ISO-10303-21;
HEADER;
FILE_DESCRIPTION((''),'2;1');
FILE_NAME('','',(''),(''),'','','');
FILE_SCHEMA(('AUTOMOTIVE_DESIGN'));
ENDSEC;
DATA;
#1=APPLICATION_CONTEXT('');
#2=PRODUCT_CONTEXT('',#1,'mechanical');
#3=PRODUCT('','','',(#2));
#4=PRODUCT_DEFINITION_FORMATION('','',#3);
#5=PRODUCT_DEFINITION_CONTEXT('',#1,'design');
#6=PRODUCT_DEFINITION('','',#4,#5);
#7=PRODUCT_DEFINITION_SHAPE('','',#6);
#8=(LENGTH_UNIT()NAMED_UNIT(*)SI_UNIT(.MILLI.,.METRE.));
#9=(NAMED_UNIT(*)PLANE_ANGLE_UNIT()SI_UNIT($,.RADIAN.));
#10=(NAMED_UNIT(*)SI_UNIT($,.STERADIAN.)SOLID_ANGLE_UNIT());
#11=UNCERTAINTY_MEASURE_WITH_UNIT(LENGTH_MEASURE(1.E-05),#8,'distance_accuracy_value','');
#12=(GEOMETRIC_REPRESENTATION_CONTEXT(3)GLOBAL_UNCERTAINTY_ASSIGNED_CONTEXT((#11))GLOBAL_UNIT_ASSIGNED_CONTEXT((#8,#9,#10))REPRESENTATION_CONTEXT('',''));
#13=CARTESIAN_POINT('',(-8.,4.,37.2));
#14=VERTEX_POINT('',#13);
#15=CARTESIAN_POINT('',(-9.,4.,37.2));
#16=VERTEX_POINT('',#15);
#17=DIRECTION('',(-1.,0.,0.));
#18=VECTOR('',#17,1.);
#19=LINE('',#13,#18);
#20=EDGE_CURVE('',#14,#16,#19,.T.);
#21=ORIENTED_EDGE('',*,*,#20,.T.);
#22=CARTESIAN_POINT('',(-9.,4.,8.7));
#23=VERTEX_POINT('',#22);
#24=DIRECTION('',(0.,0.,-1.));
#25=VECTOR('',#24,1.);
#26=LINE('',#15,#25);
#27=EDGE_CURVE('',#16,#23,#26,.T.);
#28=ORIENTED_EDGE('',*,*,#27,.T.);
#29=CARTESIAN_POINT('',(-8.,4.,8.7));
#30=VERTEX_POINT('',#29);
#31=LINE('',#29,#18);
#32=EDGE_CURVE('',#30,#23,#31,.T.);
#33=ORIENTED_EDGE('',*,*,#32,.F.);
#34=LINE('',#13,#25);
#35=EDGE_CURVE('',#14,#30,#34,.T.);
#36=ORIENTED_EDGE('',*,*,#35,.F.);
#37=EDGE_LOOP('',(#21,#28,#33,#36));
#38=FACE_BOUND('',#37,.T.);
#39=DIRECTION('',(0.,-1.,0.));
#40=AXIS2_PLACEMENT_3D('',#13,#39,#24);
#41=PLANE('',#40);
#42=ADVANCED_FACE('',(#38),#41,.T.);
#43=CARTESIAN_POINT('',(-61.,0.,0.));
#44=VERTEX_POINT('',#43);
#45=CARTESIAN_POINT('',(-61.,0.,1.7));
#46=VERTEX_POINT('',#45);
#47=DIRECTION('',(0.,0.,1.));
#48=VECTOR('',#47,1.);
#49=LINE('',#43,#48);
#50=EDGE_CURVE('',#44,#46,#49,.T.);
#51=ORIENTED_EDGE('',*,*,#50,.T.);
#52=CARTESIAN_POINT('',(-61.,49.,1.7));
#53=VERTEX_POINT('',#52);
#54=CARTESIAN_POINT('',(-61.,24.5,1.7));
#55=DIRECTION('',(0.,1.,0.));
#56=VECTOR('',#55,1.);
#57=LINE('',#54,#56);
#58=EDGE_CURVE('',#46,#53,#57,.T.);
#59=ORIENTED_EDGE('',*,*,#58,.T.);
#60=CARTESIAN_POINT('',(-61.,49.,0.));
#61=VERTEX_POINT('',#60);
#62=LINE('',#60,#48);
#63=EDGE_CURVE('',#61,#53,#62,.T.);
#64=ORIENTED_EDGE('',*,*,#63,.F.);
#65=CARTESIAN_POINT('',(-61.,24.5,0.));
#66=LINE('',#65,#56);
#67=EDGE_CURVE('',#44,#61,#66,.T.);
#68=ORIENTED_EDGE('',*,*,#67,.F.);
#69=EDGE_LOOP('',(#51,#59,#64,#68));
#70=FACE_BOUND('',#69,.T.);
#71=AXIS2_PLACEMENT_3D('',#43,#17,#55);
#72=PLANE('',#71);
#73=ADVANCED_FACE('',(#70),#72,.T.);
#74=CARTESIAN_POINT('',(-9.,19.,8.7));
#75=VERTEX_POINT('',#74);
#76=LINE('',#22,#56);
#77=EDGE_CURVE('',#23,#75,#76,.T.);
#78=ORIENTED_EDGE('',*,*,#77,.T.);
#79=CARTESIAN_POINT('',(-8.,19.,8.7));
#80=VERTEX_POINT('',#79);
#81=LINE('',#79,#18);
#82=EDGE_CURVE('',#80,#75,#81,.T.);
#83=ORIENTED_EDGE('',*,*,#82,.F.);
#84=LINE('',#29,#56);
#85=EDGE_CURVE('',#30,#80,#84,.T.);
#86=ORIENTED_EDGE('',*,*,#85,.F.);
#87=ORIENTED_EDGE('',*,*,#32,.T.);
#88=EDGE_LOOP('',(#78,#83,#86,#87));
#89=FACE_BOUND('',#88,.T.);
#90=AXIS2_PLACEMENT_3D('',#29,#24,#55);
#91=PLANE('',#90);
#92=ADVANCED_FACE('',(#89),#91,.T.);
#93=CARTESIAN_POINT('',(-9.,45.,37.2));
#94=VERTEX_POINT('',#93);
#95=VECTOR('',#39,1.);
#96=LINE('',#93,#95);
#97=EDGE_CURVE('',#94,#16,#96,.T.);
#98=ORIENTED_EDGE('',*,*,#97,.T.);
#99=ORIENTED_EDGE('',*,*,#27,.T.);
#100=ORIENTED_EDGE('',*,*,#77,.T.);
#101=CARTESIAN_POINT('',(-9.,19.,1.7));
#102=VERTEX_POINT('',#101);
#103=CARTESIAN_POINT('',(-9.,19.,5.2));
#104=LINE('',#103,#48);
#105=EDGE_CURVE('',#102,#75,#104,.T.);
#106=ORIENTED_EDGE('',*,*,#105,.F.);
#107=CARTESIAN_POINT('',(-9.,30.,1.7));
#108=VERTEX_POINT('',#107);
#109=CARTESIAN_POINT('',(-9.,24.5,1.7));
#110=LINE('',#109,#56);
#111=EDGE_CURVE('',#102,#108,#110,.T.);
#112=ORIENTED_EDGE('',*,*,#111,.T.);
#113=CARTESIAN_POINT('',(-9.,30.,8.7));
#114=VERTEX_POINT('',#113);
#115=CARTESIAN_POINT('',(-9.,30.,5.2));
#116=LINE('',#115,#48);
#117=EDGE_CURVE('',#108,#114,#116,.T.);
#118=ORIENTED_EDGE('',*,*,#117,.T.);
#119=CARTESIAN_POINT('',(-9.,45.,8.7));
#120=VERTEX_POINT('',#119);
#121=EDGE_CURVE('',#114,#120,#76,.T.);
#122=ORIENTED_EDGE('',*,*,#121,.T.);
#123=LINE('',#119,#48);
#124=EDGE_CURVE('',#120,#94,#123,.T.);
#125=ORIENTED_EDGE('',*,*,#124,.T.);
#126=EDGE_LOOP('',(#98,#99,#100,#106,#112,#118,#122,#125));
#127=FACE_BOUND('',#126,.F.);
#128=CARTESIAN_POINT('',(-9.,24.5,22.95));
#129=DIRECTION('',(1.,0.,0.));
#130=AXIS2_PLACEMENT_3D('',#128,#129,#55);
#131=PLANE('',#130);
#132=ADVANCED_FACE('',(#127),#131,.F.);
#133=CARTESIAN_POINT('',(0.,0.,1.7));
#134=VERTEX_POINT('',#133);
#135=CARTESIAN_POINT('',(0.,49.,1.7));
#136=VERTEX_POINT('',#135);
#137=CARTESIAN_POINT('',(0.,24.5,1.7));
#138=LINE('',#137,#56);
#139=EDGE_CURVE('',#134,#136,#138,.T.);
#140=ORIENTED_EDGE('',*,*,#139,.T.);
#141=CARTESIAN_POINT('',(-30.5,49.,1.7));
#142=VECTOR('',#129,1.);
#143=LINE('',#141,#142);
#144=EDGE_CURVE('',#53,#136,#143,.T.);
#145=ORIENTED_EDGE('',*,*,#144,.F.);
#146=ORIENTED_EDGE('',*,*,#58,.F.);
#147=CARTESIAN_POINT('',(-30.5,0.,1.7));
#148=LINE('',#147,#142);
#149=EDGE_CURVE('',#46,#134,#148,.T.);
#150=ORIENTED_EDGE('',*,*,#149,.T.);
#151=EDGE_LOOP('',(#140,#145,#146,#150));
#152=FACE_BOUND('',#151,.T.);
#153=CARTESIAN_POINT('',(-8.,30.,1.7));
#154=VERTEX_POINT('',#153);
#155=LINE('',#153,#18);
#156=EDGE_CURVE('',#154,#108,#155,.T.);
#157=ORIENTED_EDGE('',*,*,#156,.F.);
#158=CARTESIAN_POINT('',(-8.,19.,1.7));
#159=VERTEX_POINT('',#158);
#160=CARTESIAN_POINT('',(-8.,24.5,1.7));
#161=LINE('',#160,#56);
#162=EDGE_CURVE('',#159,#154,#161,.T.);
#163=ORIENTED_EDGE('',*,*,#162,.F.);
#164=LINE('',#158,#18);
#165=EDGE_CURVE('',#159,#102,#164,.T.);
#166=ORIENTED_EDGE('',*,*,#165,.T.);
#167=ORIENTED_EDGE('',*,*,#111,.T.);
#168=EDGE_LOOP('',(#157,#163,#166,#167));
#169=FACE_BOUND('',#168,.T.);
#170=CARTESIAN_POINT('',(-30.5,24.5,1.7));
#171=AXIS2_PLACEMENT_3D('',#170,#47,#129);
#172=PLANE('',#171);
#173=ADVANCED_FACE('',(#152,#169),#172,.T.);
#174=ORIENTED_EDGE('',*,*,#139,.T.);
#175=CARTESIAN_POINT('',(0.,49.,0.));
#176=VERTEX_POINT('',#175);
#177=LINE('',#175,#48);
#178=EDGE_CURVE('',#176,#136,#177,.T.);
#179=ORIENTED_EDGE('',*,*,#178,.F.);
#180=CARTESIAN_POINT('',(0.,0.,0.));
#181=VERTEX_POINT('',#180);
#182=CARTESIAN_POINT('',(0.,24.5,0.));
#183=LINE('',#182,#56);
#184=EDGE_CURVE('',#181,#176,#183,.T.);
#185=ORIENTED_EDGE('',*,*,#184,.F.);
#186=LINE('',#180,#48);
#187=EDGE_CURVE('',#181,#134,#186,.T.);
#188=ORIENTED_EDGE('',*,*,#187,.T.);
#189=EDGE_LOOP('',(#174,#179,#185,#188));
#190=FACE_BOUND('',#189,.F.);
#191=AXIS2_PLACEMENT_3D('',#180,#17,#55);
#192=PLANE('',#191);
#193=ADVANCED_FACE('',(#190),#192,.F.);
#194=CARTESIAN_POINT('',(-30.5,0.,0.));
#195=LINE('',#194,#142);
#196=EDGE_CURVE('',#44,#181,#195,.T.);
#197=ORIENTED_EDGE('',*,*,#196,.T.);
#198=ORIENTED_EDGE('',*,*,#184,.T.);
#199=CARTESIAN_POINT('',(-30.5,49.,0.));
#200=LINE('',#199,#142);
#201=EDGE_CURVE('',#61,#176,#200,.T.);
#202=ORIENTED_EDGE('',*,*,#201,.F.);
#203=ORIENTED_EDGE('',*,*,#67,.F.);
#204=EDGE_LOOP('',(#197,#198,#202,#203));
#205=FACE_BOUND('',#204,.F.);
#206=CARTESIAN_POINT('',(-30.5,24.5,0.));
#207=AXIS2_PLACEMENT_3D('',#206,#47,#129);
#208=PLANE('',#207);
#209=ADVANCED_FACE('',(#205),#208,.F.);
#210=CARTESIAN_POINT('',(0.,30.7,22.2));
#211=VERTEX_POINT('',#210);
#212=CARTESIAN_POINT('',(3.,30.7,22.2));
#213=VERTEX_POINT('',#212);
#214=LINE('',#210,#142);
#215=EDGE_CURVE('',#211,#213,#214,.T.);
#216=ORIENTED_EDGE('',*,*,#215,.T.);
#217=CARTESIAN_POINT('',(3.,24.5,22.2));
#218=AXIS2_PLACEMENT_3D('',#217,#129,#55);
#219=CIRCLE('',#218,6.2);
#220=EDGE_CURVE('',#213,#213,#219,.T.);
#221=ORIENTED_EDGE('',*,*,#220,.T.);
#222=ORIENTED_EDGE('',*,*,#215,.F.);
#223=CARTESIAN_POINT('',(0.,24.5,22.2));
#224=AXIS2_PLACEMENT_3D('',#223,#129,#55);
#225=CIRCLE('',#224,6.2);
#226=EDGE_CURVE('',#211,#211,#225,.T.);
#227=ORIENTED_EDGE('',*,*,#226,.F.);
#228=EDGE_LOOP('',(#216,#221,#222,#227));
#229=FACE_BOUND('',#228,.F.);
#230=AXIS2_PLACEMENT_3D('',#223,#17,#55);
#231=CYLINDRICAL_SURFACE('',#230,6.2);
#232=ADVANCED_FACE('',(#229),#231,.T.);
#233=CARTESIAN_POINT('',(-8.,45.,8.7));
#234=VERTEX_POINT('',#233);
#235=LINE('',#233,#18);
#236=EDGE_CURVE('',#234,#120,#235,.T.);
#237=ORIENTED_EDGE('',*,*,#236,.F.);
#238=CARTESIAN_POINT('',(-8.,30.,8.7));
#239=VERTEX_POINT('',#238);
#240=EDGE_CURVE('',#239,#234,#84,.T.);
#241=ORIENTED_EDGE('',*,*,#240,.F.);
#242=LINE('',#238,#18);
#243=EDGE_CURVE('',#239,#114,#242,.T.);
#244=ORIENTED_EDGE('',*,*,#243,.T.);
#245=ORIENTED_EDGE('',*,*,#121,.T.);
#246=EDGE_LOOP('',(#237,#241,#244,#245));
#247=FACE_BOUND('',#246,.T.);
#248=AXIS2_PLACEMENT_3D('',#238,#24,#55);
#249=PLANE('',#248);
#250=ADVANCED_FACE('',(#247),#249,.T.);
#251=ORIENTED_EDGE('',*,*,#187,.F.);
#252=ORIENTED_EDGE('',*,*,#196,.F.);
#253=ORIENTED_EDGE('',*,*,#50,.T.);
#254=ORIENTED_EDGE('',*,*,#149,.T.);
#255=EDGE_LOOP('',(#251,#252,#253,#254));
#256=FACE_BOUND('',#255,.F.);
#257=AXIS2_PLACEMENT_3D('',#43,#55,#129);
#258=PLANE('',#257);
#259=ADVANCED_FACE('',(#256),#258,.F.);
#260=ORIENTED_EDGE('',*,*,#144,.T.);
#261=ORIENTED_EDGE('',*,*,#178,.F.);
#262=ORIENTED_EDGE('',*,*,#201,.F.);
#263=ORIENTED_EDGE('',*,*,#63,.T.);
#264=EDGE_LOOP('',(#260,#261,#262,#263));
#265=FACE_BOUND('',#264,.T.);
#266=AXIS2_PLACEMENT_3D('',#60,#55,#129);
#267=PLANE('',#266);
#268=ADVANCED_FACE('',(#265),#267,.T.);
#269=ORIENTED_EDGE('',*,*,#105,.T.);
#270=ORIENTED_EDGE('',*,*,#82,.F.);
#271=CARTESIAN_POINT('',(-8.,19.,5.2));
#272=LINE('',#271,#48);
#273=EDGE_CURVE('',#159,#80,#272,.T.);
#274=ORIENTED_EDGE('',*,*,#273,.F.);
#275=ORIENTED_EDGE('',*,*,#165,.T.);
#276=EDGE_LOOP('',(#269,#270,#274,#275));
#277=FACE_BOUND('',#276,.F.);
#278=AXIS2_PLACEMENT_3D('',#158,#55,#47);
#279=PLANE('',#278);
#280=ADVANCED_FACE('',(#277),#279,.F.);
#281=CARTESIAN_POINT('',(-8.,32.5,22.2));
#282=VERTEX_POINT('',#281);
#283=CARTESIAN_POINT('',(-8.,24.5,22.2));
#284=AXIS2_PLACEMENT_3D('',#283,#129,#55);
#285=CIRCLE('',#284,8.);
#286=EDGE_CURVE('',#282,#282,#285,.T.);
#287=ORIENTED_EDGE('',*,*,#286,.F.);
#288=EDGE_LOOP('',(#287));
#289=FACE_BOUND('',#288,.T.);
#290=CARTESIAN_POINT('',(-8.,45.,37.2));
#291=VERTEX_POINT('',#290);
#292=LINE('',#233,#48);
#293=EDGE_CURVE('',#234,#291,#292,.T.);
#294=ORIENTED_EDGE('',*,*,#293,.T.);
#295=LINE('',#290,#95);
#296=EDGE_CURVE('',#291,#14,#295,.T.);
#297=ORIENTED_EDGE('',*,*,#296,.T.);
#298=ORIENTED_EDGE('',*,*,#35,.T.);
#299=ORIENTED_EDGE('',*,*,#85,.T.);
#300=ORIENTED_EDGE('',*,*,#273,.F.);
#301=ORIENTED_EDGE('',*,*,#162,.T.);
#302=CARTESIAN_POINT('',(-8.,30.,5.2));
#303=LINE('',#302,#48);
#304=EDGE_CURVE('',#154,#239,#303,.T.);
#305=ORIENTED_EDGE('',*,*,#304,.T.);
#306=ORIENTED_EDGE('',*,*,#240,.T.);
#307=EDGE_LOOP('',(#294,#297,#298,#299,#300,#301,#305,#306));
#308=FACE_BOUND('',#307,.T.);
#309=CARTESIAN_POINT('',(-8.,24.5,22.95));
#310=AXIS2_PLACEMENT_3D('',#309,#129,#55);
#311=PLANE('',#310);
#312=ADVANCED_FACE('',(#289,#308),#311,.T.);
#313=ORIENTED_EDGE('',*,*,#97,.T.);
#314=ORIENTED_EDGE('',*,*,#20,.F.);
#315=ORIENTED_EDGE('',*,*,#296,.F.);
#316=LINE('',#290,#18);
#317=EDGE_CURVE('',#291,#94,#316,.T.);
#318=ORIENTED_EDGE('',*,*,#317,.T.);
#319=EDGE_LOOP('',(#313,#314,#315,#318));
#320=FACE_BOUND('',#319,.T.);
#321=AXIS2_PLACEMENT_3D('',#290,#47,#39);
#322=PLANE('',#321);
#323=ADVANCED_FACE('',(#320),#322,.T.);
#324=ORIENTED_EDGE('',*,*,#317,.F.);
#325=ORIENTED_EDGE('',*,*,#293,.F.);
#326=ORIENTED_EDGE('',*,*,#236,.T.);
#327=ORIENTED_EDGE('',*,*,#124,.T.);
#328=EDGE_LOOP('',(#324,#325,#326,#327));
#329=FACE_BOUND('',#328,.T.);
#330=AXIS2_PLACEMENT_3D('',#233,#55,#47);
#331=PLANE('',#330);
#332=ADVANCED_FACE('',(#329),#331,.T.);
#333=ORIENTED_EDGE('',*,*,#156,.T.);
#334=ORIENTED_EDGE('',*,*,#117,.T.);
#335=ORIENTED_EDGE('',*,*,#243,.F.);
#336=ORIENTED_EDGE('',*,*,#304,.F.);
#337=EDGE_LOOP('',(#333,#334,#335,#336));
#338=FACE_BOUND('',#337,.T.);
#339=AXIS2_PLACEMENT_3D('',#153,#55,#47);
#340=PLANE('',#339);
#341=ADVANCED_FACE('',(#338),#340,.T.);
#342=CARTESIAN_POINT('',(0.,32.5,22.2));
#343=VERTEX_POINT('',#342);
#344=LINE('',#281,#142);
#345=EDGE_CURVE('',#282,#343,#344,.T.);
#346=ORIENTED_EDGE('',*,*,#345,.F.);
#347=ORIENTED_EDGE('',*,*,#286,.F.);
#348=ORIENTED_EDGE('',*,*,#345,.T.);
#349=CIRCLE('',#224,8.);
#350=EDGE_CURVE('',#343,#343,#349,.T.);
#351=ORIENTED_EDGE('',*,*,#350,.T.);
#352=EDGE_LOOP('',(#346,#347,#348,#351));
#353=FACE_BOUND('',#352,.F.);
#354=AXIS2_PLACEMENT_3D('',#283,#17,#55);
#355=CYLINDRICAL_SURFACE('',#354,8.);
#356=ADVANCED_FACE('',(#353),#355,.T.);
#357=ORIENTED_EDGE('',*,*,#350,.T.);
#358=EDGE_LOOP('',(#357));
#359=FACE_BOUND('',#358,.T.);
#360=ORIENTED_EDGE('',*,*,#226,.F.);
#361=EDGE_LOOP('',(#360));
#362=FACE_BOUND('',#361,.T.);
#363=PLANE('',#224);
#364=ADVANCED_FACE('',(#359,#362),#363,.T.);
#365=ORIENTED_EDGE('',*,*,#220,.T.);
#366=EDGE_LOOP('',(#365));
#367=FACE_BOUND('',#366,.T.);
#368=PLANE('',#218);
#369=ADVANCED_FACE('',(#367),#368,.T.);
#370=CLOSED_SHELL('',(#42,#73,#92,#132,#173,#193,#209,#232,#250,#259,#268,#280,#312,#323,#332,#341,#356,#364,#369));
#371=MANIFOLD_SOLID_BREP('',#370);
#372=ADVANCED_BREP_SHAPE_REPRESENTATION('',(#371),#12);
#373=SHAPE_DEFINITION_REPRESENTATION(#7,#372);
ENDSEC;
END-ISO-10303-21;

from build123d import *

# Parameters (mm, degrees)
F0_W     = 61
F0_H     = 49
F1_DEPTH = 1.7
F3_W     = 11
F3_H     = 7
F4_DEPTH = 1
F5_R     = 8
F6_DEPTH = 8
F7_R     = 6.2
F8_DEPTH = 3


with BuildPart() as f1:
    # F0 (on Top) → F1 (new body)
    with BuildSketch(Plane.XY):
        with Locations((-30.5, 24.5)):
            Rectangle(F0_W, F0_H)
    extrude(amount=F1_DEPTH)

    # F3 (on offset) → F4 (join)
    with BuildSketch(Plane.YZ.offset(-8)):
        Polygon((4, 8.7), (19, 8.7), (30, 8.7), (45, 8.7), (45, 37.2), (4, 37.2), align=None)
        with Locations((24.5, 5.2)):
            Rectangle(F3_W, F3_H)
    extrude(amount=-F4_DEPTH)

    # F5 (on face) → F6 (join)
    with BuildSketch(Plane.YZ.offset(-8)):
        with Locations((24.5, 22.2)):
            Circle(F5_R)
    extrude(amount=F6_DEPTH)

    # F7 (on face) → F8 (join)
    with BuildSketch(Plane.YZ):
        with Locations((24.5, 22.2)):
            Circle(F7_R)
    extrude(amount=F8_DEPTH)


solid = f1.part
